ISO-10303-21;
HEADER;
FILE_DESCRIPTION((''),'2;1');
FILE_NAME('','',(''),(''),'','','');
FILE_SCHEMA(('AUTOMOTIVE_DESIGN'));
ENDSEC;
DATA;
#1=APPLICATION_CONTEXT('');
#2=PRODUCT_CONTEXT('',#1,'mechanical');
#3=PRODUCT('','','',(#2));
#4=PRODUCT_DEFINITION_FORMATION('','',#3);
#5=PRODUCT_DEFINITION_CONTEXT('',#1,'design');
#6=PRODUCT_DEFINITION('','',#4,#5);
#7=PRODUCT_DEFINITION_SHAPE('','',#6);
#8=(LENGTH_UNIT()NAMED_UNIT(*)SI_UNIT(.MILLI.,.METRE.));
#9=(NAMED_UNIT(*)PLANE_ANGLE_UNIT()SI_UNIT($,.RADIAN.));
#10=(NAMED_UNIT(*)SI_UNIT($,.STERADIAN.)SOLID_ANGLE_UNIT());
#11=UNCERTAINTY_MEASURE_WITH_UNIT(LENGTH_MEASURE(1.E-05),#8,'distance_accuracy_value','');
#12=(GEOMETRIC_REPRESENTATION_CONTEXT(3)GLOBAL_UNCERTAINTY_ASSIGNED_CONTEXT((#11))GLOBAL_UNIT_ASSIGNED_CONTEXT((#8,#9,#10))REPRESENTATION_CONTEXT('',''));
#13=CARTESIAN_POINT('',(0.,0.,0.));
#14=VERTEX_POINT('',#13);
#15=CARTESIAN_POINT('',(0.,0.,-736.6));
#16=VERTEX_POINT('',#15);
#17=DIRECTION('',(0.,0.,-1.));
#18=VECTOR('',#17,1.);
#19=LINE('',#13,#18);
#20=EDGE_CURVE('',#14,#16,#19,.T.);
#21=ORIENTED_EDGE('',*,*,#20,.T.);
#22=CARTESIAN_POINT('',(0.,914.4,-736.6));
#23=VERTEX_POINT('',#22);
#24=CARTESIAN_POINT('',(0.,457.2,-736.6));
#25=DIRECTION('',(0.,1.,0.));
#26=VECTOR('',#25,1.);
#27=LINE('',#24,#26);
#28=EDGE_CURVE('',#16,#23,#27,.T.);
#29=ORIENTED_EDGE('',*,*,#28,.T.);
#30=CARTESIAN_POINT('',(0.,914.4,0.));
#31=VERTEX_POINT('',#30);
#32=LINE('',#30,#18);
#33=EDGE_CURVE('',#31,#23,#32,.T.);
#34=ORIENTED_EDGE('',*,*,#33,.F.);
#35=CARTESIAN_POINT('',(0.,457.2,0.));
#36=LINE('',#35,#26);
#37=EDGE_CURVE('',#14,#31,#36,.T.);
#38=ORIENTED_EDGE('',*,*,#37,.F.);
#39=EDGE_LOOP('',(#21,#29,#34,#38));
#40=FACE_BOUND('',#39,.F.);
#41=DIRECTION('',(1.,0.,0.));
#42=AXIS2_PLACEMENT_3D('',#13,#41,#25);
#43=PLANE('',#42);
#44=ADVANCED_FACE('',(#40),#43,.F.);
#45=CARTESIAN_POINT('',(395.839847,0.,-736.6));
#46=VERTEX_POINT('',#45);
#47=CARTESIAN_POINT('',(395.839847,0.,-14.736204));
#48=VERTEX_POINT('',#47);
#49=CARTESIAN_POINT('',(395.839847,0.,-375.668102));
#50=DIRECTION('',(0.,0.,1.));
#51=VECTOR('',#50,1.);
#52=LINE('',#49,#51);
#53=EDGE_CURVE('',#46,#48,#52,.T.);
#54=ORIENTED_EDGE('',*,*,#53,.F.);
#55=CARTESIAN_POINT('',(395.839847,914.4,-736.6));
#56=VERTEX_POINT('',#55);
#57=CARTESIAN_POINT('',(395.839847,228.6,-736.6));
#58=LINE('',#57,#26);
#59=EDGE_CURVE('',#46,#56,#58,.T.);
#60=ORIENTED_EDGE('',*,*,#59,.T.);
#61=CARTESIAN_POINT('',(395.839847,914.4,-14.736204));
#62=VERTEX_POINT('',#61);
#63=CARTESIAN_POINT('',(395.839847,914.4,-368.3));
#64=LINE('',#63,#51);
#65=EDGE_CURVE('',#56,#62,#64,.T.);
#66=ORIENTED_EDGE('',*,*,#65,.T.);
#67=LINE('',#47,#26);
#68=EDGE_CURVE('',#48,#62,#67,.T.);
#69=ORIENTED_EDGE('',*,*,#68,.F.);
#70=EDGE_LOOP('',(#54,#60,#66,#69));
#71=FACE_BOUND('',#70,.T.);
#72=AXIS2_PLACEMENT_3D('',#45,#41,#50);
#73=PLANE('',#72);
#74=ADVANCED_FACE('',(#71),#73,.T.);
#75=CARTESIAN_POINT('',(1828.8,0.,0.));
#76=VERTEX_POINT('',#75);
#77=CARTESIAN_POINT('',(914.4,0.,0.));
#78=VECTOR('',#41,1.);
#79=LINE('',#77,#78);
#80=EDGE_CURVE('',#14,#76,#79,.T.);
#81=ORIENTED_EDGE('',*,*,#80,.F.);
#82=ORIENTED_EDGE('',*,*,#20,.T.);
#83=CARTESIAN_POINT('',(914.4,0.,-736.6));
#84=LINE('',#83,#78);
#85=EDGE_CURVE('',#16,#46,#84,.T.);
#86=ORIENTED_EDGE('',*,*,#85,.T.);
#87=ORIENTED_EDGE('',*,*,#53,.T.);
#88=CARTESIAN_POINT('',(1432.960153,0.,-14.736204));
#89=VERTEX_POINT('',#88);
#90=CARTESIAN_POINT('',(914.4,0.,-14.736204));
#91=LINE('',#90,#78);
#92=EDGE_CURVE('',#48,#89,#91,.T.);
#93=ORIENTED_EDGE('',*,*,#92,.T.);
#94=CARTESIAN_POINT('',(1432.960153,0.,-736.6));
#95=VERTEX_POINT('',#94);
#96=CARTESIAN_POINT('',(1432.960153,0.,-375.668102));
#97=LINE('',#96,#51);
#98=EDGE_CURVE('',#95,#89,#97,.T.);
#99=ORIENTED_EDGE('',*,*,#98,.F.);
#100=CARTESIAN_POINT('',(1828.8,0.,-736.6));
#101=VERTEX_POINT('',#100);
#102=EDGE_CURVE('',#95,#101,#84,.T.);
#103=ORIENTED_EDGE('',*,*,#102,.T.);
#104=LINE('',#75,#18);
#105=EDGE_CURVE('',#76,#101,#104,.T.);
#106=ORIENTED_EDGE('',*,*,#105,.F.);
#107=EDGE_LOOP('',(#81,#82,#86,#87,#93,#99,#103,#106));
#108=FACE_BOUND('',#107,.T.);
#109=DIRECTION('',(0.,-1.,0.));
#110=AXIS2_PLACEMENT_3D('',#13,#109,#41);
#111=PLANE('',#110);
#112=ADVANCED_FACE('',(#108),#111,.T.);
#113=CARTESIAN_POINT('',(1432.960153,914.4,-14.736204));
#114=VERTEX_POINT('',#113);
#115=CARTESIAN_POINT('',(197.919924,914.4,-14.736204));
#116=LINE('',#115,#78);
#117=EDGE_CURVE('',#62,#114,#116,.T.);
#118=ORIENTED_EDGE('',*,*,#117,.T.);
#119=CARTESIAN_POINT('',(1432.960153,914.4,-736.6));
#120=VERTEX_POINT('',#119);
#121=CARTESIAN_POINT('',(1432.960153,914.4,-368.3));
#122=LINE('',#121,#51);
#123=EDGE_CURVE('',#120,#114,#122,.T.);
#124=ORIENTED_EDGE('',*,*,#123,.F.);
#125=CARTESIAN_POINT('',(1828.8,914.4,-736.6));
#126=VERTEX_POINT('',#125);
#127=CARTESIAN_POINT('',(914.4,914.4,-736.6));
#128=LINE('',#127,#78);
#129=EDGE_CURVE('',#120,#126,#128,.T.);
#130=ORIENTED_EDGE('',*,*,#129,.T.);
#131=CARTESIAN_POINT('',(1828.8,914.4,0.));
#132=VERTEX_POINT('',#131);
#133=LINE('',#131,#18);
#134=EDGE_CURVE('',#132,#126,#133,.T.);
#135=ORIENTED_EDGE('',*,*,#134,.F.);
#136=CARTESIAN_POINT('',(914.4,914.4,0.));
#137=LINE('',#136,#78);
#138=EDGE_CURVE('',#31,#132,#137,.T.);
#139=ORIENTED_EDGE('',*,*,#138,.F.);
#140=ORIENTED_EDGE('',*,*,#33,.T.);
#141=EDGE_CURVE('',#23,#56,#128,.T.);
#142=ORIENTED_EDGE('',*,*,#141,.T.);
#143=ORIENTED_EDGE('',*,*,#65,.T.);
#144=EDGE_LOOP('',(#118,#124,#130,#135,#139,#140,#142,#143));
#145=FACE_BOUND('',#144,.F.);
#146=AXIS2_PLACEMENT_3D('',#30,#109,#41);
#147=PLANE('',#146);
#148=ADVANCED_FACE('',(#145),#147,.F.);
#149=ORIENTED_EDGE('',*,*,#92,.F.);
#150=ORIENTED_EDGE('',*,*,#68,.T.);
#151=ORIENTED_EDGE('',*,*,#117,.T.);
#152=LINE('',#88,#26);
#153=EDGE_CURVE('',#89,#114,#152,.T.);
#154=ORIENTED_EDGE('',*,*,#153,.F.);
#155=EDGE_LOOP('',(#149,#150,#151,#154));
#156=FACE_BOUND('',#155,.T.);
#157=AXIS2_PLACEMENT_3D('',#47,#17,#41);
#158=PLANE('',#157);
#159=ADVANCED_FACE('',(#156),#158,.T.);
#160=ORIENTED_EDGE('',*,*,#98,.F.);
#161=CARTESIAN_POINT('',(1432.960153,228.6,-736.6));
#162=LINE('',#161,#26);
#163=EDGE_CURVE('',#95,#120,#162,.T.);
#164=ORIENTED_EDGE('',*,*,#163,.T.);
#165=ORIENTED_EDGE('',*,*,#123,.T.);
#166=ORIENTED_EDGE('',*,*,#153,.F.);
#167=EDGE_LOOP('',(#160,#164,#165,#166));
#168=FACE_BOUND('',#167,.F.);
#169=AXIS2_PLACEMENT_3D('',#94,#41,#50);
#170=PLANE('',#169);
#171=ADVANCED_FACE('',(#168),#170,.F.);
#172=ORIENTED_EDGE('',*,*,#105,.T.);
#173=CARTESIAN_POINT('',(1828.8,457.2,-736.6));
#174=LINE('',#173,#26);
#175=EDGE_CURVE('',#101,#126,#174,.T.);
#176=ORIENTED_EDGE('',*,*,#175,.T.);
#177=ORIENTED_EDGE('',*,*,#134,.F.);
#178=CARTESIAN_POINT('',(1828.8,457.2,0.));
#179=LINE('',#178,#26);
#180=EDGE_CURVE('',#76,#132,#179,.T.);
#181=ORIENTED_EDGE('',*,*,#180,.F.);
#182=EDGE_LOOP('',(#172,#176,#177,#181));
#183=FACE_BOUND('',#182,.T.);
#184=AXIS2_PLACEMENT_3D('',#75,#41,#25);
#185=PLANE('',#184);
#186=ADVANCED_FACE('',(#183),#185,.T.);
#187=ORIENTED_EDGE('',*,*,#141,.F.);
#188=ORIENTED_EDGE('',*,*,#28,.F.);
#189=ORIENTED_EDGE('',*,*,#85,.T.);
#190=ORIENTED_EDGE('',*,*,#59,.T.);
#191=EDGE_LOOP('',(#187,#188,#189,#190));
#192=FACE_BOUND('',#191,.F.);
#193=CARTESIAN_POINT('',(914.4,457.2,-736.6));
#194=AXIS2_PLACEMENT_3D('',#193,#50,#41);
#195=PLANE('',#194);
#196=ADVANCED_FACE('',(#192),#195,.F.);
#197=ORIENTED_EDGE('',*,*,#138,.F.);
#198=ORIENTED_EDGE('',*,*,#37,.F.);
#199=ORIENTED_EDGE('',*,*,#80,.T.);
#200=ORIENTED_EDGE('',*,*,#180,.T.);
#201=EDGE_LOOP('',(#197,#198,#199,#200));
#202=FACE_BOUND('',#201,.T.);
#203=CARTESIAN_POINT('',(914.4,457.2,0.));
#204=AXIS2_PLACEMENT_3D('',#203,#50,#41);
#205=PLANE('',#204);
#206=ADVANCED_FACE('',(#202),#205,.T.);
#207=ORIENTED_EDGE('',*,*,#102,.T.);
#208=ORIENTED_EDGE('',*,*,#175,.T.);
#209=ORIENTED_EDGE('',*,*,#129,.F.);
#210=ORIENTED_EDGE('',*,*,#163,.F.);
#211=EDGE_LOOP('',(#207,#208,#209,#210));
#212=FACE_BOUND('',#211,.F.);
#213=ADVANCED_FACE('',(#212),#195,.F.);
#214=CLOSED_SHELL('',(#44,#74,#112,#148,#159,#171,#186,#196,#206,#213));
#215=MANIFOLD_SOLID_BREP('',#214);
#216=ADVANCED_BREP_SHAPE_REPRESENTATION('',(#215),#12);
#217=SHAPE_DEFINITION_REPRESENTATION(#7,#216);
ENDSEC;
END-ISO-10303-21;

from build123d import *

# Parameters (mm, degrees)
F0_W     = 1828.8
F0_H     = 914.4
F1_DEPTH = 736.6
F2_W     = 1037.120306
F2_H     = 721.863797
F3_DEPTH = 914.401


with BuildPart() as f1:
    # F0 (on Top) → F1 (new body)
    with BuildSketch(Plane.XY):
        with Locations((914.4, 457.2)):
            Rectangle(F0_W, F0_H)
    extrude(amount=-F1_DEPTH)

    # F2 (on face) → F3 (cut, through all)
    with BuildSketch(Plane.XZ):
        with Locations((914.4, -375.668102)):
            Rectangle(F2_W, F2_H)
    extrude(amount=-F3_DEPTH, mode=Mode.SUBTRACT)


solid = f1.part
